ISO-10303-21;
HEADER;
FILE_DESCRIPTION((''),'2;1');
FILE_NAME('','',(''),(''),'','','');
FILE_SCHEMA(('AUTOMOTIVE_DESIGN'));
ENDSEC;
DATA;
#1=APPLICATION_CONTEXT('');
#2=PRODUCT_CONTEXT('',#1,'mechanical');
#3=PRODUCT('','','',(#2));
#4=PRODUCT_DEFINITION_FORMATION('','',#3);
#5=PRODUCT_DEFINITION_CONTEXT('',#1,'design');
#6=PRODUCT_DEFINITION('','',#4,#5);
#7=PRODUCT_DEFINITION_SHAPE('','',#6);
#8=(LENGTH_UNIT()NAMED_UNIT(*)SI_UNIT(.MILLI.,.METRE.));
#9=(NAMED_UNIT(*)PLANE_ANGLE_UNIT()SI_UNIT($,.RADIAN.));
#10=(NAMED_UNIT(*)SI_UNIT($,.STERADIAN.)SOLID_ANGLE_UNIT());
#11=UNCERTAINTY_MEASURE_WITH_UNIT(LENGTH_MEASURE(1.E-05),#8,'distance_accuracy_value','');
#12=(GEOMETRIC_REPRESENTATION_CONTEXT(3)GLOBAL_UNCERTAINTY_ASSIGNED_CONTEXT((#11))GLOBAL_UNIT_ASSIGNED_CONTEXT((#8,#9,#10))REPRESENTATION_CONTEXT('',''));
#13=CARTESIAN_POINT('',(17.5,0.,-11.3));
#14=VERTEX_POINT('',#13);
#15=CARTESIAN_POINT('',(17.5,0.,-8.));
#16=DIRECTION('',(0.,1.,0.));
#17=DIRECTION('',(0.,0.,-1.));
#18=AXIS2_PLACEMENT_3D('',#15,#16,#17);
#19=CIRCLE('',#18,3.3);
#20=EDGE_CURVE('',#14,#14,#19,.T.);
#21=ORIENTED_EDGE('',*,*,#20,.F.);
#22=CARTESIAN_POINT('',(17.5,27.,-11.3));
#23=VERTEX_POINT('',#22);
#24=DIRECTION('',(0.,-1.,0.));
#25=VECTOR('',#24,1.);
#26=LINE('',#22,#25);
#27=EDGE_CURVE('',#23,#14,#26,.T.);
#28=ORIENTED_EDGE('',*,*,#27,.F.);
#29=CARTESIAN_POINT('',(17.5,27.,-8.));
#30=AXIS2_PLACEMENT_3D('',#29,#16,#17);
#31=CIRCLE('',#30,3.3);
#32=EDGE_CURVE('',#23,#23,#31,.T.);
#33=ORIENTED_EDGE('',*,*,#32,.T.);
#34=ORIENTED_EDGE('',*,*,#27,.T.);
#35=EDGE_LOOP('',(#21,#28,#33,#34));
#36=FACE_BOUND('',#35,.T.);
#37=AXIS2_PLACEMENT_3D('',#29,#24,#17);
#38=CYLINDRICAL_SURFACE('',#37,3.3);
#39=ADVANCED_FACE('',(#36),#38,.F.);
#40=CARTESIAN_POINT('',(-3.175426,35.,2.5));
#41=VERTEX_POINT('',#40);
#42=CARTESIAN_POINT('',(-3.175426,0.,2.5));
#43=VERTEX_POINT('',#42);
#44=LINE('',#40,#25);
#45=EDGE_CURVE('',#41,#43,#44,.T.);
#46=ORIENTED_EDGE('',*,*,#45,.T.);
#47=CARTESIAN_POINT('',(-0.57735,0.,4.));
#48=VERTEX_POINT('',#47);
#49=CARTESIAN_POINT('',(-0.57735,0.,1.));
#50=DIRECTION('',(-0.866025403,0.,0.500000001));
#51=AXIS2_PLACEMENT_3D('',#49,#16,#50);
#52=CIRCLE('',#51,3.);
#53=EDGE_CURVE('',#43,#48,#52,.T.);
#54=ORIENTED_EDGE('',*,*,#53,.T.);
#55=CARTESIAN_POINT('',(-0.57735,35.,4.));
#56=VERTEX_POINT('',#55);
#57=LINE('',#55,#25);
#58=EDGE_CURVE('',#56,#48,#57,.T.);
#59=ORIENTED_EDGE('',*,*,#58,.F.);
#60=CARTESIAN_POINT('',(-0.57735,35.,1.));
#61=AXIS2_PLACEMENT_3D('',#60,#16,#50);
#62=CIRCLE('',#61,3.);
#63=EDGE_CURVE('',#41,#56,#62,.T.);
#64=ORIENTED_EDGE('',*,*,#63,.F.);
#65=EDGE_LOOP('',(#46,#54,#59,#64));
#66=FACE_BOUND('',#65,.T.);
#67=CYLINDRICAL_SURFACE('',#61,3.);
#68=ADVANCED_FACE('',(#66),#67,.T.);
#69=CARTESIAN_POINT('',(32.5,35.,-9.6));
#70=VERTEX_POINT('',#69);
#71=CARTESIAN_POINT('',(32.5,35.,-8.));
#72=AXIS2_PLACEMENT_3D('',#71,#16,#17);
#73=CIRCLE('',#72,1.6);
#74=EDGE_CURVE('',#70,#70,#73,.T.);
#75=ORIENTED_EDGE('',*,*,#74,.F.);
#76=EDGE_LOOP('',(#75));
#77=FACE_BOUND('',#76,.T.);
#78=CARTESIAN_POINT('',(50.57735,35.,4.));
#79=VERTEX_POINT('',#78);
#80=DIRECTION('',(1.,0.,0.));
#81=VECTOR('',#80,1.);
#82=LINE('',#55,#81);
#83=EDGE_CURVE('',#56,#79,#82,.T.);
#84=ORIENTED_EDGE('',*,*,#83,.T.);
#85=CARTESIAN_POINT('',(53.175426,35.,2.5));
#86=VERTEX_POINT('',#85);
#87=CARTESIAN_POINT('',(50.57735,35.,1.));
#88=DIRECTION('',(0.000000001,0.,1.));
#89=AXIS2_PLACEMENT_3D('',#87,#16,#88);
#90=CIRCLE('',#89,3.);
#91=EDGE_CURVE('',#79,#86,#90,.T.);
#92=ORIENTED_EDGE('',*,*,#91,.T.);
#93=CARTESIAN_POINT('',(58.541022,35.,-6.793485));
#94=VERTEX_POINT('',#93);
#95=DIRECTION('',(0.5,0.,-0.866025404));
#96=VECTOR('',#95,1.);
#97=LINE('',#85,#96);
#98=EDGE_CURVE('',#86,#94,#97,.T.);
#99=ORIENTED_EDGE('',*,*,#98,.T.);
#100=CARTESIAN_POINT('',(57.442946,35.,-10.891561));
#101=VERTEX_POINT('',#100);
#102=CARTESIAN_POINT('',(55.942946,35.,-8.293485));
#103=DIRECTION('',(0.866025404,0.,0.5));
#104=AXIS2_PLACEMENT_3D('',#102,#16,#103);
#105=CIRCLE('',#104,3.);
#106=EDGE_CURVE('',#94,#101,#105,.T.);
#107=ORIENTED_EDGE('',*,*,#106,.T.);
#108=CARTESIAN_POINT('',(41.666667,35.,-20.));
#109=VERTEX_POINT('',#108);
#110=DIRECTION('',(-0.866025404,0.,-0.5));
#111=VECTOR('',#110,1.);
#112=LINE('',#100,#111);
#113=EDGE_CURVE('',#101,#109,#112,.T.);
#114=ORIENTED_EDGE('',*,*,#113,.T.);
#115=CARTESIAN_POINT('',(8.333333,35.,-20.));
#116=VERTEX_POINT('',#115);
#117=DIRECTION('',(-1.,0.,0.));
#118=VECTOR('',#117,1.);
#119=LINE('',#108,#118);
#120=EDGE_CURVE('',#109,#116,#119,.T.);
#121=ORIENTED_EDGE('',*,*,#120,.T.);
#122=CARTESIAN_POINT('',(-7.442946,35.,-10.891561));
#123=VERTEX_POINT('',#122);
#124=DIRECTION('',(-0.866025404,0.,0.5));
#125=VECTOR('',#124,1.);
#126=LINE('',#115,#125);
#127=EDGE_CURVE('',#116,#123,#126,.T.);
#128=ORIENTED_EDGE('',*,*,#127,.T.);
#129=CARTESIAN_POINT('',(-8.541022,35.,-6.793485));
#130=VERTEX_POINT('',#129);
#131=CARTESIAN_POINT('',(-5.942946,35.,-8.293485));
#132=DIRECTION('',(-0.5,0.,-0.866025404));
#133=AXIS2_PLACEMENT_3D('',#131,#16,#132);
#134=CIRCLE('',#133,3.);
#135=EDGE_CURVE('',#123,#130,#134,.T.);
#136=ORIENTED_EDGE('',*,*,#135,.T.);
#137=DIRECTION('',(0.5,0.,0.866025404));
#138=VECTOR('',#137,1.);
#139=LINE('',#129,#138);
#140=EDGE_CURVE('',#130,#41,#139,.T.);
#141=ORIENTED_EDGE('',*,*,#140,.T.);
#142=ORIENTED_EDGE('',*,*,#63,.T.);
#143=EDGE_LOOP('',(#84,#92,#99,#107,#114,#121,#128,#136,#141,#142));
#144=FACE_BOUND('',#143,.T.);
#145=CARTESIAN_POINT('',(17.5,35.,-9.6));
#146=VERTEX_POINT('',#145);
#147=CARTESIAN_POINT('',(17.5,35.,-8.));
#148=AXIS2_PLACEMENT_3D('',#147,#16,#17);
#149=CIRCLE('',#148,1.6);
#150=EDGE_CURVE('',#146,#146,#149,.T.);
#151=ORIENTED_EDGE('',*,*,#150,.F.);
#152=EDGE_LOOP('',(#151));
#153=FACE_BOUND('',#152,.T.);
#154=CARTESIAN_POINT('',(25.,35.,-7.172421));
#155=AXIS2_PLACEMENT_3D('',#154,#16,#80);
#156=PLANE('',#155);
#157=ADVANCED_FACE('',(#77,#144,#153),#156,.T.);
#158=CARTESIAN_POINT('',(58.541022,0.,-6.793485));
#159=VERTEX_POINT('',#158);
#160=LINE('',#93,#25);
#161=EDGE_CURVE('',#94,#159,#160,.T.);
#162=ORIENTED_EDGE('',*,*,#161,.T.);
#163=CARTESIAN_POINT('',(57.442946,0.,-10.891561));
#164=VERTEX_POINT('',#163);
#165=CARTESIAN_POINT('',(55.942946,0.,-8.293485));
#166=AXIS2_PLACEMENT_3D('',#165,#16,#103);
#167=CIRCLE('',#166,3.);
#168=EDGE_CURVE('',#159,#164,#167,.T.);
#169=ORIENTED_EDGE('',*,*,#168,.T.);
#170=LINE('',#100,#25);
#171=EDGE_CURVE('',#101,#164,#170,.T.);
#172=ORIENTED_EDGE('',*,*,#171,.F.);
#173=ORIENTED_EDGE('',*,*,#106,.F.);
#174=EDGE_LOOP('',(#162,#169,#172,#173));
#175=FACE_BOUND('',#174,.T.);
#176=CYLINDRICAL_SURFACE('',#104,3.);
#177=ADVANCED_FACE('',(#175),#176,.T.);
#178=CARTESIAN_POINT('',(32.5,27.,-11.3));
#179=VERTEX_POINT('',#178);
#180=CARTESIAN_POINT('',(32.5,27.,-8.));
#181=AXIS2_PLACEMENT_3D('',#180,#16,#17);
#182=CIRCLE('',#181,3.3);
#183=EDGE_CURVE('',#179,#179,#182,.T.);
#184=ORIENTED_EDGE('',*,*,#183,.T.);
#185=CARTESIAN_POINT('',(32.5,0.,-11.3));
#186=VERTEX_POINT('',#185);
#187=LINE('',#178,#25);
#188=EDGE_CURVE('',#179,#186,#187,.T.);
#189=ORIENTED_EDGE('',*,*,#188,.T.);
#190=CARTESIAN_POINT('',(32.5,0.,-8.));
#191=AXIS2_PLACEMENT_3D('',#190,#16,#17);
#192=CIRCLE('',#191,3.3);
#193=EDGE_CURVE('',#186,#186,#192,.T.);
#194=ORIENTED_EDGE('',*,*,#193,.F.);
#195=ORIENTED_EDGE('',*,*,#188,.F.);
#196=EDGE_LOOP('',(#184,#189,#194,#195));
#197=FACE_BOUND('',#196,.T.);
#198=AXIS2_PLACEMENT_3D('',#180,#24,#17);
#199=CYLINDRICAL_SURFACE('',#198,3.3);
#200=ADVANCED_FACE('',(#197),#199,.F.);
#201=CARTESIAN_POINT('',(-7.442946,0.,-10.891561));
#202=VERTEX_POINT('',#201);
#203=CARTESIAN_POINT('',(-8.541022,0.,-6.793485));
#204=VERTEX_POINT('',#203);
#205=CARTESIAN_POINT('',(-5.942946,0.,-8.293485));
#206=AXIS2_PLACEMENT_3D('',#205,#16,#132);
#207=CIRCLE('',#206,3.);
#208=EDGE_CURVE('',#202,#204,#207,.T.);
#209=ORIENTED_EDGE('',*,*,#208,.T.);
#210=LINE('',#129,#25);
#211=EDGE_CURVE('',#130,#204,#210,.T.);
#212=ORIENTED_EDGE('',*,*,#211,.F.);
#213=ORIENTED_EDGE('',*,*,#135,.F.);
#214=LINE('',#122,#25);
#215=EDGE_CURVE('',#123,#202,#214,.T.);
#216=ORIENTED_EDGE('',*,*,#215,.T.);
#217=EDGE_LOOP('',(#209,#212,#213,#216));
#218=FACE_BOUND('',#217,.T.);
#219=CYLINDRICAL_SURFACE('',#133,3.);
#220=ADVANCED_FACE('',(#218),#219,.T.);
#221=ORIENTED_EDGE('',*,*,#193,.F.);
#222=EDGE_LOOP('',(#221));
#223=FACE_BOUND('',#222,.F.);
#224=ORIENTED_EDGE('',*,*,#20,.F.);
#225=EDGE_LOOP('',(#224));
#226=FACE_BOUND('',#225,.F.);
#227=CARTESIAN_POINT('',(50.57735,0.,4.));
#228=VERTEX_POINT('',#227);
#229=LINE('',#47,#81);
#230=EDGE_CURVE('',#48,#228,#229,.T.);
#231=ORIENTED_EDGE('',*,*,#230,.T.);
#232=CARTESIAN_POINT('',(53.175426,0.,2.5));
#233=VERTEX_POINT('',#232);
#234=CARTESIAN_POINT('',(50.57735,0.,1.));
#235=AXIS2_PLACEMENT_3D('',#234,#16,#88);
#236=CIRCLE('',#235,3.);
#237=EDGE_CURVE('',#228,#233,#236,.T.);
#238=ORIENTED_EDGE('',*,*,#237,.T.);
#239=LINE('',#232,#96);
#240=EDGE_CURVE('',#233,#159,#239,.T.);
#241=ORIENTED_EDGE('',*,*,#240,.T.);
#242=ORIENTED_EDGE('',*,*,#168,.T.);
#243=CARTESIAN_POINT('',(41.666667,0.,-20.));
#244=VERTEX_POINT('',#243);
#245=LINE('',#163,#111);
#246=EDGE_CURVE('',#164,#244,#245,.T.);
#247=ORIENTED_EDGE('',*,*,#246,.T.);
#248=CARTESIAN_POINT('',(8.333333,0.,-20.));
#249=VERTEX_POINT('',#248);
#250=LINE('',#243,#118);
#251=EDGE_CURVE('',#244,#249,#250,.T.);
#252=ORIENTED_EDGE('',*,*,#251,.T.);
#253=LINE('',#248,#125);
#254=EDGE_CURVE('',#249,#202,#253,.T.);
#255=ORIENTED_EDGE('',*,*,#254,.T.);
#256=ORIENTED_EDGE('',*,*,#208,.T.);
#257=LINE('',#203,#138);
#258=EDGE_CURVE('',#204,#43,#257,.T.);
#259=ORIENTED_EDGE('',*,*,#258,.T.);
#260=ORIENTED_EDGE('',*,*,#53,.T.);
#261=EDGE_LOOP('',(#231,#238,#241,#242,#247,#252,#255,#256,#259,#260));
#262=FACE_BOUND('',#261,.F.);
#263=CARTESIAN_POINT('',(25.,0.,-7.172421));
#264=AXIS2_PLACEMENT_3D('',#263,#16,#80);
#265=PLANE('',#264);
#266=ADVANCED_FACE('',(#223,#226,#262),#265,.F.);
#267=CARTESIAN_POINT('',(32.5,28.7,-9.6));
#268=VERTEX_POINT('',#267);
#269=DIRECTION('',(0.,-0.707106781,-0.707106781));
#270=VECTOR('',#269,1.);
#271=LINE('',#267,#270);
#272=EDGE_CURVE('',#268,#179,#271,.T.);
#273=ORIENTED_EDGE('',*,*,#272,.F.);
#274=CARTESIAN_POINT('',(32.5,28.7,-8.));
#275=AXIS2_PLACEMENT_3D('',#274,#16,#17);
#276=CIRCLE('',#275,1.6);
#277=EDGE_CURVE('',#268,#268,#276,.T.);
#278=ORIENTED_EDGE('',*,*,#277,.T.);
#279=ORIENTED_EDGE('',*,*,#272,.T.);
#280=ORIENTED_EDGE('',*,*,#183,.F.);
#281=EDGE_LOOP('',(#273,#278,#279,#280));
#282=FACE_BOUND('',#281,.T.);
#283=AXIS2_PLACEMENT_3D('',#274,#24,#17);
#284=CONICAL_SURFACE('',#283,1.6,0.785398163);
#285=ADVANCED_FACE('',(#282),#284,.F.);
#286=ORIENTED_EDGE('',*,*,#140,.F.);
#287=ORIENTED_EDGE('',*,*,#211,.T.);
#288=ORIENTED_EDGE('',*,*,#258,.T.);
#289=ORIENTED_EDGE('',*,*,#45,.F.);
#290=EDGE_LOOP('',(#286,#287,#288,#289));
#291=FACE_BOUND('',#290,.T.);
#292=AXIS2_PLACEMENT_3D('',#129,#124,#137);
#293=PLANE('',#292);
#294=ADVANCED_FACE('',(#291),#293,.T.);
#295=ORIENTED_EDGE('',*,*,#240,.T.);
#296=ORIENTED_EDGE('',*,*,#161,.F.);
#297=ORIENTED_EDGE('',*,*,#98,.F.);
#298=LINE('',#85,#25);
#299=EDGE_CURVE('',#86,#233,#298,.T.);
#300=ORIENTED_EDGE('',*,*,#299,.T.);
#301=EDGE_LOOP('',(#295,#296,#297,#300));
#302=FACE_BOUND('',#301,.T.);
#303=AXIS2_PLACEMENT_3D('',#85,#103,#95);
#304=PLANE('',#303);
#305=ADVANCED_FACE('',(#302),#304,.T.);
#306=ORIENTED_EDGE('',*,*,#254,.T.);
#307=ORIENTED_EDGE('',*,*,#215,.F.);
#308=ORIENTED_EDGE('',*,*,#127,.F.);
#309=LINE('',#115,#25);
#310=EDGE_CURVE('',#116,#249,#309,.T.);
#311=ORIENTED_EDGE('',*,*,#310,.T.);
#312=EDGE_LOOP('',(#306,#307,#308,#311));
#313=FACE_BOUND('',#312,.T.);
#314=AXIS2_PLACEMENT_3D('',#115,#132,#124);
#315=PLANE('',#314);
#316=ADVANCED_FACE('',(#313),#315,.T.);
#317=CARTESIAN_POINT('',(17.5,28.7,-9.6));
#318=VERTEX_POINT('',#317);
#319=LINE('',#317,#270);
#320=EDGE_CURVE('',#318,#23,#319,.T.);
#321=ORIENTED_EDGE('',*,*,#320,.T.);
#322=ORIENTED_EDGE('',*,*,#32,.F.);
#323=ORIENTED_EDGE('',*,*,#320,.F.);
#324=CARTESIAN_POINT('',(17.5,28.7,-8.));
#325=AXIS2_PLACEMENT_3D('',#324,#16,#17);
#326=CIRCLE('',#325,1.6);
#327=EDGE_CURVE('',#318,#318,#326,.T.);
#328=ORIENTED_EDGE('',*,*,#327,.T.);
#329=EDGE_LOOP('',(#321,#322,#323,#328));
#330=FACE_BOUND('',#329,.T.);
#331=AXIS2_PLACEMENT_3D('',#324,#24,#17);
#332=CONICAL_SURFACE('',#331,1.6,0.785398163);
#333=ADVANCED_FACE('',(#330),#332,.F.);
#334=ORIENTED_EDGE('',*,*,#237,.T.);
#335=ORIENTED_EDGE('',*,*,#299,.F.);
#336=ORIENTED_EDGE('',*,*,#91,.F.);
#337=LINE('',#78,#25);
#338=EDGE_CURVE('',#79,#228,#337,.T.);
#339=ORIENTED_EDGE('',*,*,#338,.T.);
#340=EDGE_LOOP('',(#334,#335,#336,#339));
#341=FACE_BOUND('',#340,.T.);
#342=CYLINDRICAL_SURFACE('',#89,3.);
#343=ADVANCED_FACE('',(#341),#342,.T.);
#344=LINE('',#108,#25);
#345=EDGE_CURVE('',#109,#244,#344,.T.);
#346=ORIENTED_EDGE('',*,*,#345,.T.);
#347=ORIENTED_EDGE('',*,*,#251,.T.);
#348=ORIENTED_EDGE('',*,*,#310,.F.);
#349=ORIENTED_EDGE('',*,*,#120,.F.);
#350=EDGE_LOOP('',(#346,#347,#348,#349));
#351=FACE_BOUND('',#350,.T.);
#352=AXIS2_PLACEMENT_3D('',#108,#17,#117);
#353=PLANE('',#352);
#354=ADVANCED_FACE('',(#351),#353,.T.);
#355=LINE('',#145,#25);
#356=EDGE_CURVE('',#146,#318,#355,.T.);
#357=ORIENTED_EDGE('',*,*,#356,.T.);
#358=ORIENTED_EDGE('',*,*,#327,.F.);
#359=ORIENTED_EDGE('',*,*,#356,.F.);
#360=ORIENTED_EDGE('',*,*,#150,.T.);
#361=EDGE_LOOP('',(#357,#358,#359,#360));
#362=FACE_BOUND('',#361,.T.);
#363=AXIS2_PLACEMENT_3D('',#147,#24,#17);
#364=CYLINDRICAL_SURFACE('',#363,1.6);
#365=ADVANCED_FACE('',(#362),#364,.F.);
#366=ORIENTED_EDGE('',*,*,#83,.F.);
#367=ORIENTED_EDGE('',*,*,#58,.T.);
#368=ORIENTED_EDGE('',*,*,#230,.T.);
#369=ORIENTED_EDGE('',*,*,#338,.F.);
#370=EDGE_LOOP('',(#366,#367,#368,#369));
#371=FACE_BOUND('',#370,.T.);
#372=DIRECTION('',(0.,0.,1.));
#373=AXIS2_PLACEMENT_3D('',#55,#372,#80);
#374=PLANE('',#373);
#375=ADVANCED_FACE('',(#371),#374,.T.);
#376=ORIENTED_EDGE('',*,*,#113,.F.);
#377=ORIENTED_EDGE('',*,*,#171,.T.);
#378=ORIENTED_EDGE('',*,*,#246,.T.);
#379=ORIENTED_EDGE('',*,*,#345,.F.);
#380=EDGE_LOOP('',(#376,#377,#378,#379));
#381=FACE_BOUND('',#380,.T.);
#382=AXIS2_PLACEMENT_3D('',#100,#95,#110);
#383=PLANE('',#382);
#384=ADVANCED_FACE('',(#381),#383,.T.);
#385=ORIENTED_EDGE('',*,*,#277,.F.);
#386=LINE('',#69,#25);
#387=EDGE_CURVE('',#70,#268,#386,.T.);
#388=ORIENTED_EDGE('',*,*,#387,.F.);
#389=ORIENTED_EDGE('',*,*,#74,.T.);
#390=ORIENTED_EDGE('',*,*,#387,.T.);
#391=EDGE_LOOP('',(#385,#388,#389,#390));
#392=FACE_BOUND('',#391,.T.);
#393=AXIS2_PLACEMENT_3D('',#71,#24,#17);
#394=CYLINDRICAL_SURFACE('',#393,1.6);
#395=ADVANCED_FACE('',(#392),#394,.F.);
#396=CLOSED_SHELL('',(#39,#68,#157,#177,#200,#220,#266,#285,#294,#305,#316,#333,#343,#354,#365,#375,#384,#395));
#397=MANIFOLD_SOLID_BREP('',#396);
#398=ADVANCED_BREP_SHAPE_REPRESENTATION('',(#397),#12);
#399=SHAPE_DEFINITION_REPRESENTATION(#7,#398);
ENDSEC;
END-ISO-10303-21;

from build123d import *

# Parameters (mm, degrees)
EXTRUDE_1_DEPTH             = 35
HOLE_WIZARD_M3_1_AT_2_COUNT = 2
HOLE_WIZARD_M3_1_AT_2_PITCH = 15


with BuildPart() as part:
    # 草圖1 → 填料-伸長1 (new body)
    with BuildSketch(Plane(origin=(0, 35, 0), x_dir=(1, 0, 0), z_dir=(0, 1, 0))):
        with BuildLine():
            Line((8.333333333, 20), (-7.442946108, 10.891560818))
            ThreePointArc((-7.442946108, 10.891560818), (-8.840723587, 9.069941742), (-8.54102232, 6.793484606))
            Line((-8.54102232, 6.793484606), (-3.175426481, -2.5))
            ThreePointArc((-3.175426481, -2.5), (-2.077350269, -3.598076211), (-0.577350269, -4))
            Line((-0.577350269, -4), (50.577350269, -4))
            ThreePointArc((50.577350269, -4), (52.077350269, -3.598076211), (53.175426481, -2.5))
            Line((53.175426481, -2.5), (58.54102232, 6.793484606))
            ThreePointArc((58.54102232, 6.793484606), (58.840723587, 9.069941742), (57.442946108, 10.891560818))
            Line((57.442946108, 10.891560818), (41.666666667, 20))
            Line((41.666666667, 20), (8.333333333, 20))
        make_face()
    extrude(amount=-EXTRUDE_1_DEPTH)

    # 草圖2 → M3 平頭機械螺釘的錐孔1 (revolve, cut)
    with BuildSketch(Plane(origin=(17.5, 0, -8), x_dir=(0, 0, -1), z_dir=(1, 0, 0))):
        Polygon((0, 0), (0, 35), (1.6, 35), (1.6, 28.7), (3.3, 27), (3.3, 0), align=None)
    hole_wizard_m3_1 = revolve(axis=Axis((17.5, -6.35, -8), (0, 1, 0)), mode=Mode.SUBTRACT)

    # M3 平頭機械螺釘的錐孔1 at 2: M3 平頭機械螺釘的錐孔1 ×2
    with Locations(*[(i * HOLE_WIZARD_M3_1_AT_2_PITCH, 0, 0) for i in range(1, HOLE_WIZARD_M3_1_AT_2_COUNT)]):
        add(hole_wizard_m3_1, mode=Mode.SUBTRACT)


solid = part.part
